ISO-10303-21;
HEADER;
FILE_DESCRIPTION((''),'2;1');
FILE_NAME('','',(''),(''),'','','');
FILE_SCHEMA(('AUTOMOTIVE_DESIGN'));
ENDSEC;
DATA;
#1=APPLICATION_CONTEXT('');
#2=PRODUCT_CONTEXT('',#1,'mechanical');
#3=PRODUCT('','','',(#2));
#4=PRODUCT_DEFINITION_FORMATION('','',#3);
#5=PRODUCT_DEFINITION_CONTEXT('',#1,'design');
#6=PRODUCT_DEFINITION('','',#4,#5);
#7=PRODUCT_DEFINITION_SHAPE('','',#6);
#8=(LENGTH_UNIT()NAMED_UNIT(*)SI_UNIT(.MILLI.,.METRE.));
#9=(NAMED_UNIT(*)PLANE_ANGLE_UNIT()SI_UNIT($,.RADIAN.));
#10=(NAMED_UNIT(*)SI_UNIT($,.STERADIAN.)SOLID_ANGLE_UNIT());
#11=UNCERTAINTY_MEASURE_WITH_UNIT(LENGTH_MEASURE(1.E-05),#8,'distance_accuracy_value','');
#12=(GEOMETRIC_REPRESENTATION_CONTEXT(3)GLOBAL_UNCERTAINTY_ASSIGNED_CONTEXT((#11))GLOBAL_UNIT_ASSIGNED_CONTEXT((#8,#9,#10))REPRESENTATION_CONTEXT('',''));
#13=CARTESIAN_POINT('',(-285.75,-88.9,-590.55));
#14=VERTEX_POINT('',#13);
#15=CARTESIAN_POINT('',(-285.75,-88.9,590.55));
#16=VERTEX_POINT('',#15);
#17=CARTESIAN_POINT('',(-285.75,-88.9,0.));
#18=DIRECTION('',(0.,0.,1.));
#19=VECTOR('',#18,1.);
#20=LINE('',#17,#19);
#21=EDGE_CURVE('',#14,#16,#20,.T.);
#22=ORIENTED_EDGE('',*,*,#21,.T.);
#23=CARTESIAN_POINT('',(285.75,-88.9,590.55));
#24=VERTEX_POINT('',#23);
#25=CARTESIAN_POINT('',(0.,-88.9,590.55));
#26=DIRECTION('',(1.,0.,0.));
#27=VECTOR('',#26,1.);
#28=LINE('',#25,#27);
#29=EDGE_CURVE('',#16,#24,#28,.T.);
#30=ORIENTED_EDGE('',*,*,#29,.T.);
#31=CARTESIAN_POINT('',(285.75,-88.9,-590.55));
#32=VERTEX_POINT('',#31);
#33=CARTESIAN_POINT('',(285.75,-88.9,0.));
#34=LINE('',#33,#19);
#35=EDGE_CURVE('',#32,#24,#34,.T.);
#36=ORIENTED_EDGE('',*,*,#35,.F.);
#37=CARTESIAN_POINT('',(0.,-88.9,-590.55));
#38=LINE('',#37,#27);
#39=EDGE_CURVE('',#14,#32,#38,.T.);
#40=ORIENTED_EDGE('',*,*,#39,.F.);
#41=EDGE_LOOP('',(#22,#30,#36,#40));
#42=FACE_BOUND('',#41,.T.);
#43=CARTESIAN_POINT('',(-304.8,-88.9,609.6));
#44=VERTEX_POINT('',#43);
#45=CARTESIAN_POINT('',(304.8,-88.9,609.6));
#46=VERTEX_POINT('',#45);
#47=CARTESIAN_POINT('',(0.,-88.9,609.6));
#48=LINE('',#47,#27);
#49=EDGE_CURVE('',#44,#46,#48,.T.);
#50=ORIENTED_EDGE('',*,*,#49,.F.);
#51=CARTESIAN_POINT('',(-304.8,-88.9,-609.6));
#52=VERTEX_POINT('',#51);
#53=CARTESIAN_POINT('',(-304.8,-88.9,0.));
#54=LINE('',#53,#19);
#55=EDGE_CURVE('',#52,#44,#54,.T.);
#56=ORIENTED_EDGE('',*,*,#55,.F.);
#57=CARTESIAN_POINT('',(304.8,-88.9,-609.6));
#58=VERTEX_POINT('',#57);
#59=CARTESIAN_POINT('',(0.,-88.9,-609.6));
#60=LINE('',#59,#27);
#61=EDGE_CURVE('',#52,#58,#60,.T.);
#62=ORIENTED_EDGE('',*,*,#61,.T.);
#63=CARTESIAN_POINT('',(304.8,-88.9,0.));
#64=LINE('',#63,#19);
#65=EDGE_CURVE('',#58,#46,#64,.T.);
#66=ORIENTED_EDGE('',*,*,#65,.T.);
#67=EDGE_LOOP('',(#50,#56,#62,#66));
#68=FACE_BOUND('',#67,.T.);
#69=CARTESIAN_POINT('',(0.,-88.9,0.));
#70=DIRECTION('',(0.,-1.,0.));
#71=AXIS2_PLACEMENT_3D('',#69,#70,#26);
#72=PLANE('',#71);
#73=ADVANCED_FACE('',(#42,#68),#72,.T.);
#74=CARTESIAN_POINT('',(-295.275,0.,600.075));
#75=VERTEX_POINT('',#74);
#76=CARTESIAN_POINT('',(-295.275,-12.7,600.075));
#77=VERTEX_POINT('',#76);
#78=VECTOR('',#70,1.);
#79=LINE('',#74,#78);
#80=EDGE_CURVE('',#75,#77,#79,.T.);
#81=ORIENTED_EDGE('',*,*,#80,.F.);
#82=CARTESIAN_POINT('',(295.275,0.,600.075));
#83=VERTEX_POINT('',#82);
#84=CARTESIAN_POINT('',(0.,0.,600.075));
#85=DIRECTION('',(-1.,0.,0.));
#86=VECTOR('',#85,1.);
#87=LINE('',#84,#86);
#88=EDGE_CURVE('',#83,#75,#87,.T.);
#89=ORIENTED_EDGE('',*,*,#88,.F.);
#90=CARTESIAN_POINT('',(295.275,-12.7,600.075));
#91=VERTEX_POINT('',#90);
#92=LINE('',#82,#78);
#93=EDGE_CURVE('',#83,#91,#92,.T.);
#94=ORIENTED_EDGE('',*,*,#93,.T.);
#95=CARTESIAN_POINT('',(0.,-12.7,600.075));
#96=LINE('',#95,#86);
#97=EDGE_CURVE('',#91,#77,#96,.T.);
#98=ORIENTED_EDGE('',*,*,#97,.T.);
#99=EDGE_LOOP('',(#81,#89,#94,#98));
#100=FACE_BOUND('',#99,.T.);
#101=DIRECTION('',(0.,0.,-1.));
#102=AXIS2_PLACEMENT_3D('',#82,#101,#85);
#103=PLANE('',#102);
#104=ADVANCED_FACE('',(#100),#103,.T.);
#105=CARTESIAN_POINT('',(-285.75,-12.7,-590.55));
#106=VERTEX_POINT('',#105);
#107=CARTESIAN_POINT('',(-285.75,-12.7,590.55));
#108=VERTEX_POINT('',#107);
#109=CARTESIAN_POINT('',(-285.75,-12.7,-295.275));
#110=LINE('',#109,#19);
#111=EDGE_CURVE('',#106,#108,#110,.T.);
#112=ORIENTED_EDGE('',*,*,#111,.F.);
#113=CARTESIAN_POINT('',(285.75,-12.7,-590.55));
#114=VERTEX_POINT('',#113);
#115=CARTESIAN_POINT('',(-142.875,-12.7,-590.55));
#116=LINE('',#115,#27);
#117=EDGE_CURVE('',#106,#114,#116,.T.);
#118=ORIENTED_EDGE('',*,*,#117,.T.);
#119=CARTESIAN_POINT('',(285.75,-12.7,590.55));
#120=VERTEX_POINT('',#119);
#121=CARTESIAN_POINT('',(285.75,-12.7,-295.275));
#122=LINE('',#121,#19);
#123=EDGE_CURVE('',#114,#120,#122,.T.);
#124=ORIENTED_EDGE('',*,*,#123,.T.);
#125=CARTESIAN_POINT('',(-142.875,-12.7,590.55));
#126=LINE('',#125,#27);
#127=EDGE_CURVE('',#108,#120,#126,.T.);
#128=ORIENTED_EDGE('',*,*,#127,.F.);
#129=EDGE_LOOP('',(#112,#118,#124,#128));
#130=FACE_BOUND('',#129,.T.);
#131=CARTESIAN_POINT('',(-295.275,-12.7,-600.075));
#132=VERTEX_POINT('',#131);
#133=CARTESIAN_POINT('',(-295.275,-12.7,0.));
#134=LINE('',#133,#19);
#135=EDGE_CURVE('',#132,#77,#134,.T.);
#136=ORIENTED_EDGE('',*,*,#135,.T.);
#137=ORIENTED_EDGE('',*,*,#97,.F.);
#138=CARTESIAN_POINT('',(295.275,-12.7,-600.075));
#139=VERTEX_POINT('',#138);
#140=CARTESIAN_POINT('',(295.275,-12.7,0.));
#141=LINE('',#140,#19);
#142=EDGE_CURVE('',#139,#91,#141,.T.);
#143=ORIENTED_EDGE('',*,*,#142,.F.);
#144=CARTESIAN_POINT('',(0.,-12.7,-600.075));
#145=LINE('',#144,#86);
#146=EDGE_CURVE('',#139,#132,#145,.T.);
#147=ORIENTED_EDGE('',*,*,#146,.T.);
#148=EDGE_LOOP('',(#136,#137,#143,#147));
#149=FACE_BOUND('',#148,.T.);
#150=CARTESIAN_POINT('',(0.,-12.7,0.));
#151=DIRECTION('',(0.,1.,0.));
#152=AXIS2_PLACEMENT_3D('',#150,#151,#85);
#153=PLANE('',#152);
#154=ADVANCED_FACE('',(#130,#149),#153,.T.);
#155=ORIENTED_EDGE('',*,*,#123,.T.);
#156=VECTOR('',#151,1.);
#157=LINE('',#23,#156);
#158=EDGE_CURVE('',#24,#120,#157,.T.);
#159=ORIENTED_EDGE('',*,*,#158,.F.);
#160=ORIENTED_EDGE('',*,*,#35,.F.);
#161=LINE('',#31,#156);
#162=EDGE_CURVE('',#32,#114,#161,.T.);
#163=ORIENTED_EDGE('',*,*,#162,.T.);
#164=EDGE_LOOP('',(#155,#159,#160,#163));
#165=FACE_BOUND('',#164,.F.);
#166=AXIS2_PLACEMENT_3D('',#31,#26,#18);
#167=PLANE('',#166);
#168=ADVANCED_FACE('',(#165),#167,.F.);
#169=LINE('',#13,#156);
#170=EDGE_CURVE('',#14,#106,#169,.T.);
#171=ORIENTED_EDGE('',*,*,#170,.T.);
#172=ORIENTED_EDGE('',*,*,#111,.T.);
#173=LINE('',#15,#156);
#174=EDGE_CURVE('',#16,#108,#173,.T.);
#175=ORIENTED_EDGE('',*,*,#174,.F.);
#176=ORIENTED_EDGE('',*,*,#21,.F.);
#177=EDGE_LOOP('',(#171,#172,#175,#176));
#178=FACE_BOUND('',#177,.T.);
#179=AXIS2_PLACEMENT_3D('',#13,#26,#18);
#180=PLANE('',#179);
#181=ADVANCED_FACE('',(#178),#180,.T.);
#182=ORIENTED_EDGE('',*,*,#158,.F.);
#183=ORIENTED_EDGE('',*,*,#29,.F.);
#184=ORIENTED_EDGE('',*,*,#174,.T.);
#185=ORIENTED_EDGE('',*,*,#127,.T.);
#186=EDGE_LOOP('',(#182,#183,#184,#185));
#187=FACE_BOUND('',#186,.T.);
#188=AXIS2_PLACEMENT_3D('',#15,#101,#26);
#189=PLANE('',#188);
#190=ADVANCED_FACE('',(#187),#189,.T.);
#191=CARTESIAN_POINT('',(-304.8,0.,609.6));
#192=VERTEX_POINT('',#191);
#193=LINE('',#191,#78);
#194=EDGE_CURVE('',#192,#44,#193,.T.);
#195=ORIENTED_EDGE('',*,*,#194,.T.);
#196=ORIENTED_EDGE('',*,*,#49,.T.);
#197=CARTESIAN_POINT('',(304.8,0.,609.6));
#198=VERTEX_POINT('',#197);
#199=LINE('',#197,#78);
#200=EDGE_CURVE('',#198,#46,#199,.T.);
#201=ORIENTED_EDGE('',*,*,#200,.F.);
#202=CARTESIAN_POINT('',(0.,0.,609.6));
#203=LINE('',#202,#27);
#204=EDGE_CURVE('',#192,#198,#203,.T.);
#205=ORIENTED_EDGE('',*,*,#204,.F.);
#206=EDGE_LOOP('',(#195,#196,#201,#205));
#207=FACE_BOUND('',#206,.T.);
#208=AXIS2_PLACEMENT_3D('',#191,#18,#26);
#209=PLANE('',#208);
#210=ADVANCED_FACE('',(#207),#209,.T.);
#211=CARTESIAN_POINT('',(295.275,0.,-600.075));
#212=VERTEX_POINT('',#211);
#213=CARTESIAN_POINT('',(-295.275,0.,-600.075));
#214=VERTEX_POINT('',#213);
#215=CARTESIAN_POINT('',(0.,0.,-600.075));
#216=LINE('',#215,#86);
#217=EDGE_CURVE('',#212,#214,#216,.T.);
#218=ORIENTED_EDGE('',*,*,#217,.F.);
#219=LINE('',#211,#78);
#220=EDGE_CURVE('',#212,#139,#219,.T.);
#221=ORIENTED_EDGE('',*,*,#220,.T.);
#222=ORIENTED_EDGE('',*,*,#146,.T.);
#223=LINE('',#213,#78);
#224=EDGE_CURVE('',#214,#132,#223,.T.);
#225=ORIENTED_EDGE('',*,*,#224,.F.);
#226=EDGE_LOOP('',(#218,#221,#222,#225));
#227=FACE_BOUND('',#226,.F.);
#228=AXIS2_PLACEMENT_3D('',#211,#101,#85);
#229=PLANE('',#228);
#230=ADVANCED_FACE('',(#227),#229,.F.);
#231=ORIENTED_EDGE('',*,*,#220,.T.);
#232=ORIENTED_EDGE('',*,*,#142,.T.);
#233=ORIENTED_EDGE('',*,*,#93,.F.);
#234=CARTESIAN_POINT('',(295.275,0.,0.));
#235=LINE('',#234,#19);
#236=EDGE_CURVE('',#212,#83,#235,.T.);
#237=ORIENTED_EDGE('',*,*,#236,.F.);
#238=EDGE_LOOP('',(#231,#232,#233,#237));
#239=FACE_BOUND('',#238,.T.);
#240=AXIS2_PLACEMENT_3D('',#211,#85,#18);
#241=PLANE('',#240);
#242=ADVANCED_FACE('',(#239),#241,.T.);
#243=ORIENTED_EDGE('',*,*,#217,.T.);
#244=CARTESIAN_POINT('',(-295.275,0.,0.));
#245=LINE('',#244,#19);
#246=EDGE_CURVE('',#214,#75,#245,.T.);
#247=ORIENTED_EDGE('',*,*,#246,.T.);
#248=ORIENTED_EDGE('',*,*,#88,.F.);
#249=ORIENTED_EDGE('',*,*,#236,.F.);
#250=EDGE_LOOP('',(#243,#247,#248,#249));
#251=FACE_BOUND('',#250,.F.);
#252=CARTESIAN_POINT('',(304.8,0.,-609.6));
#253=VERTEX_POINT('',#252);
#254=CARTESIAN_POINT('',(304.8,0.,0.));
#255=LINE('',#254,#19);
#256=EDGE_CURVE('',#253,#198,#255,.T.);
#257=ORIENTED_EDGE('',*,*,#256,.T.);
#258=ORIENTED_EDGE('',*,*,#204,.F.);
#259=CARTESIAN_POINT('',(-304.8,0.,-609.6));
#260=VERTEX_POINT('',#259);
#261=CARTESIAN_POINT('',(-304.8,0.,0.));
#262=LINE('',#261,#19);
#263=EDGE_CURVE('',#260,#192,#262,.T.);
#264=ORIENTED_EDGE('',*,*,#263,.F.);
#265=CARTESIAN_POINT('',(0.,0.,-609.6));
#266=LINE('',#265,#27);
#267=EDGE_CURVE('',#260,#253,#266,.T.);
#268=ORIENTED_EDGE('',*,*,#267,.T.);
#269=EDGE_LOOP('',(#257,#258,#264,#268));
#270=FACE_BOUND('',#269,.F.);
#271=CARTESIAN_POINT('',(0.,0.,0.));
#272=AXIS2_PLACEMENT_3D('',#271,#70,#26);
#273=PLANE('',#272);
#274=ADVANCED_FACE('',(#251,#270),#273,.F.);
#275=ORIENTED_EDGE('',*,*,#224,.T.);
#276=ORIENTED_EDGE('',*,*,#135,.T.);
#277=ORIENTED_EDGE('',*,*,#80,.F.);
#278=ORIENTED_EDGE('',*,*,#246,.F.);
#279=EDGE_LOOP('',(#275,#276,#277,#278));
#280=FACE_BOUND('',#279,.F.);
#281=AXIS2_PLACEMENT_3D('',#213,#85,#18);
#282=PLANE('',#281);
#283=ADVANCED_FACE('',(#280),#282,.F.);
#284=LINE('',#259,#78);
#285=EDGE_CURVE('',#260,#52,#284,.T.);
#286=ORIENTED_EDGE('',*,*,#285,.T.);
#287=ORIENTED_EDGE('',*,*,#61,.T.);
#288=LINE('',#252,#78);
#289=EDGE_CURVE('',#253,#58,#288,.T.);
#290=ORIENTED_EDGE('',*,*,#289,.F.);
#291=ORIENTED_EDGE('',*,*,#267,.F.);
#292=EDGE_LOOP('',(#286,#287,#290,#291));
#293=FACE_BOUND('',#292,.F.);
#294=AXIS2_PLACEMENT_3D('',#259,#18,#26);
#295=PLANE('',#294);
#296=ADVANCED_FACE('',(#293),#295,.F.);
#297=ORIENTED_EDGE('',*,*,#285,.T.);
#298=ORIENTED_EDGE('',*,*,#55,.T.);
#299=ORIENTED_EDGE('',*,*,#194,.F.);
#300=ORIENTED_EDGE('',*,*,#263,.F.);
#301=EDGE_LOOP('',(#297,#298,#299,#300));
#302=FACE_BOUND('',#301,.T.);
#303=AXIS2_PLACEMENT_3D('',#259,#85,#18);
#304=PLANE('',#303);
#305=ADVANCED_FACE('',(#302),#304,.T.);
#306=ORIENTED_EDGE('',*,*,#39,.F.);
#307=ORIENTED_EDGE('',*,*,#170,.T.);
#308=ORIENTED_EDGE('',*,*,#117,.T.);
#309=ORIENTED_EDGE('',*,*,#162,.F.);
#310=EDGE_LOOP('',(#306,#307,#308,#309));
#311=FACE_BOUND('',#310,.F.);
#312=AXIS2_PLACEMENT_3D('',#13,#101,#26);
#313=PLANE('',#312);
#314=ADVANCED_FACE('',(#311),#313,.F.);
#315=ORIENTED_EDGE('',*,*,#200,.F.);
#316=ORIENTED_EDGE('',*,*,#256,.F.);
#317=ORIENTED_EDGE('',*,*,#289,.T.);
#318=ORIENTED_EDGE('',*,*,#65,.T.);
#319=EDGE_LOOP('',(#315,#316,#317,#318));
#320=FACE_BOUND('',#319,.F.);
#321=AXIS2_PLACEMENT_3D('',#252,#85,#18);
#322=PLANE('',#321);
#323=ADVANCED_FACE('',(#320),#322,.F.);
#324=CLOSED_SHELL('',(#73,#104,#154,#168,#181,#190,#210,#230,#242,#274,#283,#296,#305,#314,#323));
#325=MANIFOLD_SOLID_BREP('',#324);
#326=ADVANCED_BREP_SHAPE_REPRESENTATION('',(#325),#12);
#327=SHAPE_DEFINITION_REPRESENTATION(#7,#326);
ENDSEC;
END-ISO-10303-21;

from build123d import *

# Parameters (mm, degrees)
F0_W     = 609.6
F0_H     = 1219.2
F1_DEPTH = 88.9
F2_W     = 571.5
F2_H     = 1181.1
F3_DEPTH = 88.9
F4_W     = 590.55
F4_H     = 1200.15
F5_DEPTH = 12.7


with BuildPart() as f1:
    # F0 (on Front) → F1 (new body)
    with BuildSketch(Plane.XZ):
        Rectangle(F0_W, F0_H)
    extrude(amount=F1_DEPTH)

    # F2 (on face) → F3 (cut)
    with BuildSketch(Plane.XZ.offset(88.9)):
        Rectangle(F2_W, F2_H)
    extrude(amount=-F3_DEPTH, mode=Mode.SUBTRACT)

    # F4 (on face) → F5 (cut)
    with BuildSketch(Plane(origin=(0, 0, 0), x_dir=(-1, 0, 0), z_dir=(0, 1, 0))):
        Rectangle(F4_W, F4_H)
    extrude(amount=-F5_DEPTH, mode=Mode.SUBTRACT)


solid = f1.part
